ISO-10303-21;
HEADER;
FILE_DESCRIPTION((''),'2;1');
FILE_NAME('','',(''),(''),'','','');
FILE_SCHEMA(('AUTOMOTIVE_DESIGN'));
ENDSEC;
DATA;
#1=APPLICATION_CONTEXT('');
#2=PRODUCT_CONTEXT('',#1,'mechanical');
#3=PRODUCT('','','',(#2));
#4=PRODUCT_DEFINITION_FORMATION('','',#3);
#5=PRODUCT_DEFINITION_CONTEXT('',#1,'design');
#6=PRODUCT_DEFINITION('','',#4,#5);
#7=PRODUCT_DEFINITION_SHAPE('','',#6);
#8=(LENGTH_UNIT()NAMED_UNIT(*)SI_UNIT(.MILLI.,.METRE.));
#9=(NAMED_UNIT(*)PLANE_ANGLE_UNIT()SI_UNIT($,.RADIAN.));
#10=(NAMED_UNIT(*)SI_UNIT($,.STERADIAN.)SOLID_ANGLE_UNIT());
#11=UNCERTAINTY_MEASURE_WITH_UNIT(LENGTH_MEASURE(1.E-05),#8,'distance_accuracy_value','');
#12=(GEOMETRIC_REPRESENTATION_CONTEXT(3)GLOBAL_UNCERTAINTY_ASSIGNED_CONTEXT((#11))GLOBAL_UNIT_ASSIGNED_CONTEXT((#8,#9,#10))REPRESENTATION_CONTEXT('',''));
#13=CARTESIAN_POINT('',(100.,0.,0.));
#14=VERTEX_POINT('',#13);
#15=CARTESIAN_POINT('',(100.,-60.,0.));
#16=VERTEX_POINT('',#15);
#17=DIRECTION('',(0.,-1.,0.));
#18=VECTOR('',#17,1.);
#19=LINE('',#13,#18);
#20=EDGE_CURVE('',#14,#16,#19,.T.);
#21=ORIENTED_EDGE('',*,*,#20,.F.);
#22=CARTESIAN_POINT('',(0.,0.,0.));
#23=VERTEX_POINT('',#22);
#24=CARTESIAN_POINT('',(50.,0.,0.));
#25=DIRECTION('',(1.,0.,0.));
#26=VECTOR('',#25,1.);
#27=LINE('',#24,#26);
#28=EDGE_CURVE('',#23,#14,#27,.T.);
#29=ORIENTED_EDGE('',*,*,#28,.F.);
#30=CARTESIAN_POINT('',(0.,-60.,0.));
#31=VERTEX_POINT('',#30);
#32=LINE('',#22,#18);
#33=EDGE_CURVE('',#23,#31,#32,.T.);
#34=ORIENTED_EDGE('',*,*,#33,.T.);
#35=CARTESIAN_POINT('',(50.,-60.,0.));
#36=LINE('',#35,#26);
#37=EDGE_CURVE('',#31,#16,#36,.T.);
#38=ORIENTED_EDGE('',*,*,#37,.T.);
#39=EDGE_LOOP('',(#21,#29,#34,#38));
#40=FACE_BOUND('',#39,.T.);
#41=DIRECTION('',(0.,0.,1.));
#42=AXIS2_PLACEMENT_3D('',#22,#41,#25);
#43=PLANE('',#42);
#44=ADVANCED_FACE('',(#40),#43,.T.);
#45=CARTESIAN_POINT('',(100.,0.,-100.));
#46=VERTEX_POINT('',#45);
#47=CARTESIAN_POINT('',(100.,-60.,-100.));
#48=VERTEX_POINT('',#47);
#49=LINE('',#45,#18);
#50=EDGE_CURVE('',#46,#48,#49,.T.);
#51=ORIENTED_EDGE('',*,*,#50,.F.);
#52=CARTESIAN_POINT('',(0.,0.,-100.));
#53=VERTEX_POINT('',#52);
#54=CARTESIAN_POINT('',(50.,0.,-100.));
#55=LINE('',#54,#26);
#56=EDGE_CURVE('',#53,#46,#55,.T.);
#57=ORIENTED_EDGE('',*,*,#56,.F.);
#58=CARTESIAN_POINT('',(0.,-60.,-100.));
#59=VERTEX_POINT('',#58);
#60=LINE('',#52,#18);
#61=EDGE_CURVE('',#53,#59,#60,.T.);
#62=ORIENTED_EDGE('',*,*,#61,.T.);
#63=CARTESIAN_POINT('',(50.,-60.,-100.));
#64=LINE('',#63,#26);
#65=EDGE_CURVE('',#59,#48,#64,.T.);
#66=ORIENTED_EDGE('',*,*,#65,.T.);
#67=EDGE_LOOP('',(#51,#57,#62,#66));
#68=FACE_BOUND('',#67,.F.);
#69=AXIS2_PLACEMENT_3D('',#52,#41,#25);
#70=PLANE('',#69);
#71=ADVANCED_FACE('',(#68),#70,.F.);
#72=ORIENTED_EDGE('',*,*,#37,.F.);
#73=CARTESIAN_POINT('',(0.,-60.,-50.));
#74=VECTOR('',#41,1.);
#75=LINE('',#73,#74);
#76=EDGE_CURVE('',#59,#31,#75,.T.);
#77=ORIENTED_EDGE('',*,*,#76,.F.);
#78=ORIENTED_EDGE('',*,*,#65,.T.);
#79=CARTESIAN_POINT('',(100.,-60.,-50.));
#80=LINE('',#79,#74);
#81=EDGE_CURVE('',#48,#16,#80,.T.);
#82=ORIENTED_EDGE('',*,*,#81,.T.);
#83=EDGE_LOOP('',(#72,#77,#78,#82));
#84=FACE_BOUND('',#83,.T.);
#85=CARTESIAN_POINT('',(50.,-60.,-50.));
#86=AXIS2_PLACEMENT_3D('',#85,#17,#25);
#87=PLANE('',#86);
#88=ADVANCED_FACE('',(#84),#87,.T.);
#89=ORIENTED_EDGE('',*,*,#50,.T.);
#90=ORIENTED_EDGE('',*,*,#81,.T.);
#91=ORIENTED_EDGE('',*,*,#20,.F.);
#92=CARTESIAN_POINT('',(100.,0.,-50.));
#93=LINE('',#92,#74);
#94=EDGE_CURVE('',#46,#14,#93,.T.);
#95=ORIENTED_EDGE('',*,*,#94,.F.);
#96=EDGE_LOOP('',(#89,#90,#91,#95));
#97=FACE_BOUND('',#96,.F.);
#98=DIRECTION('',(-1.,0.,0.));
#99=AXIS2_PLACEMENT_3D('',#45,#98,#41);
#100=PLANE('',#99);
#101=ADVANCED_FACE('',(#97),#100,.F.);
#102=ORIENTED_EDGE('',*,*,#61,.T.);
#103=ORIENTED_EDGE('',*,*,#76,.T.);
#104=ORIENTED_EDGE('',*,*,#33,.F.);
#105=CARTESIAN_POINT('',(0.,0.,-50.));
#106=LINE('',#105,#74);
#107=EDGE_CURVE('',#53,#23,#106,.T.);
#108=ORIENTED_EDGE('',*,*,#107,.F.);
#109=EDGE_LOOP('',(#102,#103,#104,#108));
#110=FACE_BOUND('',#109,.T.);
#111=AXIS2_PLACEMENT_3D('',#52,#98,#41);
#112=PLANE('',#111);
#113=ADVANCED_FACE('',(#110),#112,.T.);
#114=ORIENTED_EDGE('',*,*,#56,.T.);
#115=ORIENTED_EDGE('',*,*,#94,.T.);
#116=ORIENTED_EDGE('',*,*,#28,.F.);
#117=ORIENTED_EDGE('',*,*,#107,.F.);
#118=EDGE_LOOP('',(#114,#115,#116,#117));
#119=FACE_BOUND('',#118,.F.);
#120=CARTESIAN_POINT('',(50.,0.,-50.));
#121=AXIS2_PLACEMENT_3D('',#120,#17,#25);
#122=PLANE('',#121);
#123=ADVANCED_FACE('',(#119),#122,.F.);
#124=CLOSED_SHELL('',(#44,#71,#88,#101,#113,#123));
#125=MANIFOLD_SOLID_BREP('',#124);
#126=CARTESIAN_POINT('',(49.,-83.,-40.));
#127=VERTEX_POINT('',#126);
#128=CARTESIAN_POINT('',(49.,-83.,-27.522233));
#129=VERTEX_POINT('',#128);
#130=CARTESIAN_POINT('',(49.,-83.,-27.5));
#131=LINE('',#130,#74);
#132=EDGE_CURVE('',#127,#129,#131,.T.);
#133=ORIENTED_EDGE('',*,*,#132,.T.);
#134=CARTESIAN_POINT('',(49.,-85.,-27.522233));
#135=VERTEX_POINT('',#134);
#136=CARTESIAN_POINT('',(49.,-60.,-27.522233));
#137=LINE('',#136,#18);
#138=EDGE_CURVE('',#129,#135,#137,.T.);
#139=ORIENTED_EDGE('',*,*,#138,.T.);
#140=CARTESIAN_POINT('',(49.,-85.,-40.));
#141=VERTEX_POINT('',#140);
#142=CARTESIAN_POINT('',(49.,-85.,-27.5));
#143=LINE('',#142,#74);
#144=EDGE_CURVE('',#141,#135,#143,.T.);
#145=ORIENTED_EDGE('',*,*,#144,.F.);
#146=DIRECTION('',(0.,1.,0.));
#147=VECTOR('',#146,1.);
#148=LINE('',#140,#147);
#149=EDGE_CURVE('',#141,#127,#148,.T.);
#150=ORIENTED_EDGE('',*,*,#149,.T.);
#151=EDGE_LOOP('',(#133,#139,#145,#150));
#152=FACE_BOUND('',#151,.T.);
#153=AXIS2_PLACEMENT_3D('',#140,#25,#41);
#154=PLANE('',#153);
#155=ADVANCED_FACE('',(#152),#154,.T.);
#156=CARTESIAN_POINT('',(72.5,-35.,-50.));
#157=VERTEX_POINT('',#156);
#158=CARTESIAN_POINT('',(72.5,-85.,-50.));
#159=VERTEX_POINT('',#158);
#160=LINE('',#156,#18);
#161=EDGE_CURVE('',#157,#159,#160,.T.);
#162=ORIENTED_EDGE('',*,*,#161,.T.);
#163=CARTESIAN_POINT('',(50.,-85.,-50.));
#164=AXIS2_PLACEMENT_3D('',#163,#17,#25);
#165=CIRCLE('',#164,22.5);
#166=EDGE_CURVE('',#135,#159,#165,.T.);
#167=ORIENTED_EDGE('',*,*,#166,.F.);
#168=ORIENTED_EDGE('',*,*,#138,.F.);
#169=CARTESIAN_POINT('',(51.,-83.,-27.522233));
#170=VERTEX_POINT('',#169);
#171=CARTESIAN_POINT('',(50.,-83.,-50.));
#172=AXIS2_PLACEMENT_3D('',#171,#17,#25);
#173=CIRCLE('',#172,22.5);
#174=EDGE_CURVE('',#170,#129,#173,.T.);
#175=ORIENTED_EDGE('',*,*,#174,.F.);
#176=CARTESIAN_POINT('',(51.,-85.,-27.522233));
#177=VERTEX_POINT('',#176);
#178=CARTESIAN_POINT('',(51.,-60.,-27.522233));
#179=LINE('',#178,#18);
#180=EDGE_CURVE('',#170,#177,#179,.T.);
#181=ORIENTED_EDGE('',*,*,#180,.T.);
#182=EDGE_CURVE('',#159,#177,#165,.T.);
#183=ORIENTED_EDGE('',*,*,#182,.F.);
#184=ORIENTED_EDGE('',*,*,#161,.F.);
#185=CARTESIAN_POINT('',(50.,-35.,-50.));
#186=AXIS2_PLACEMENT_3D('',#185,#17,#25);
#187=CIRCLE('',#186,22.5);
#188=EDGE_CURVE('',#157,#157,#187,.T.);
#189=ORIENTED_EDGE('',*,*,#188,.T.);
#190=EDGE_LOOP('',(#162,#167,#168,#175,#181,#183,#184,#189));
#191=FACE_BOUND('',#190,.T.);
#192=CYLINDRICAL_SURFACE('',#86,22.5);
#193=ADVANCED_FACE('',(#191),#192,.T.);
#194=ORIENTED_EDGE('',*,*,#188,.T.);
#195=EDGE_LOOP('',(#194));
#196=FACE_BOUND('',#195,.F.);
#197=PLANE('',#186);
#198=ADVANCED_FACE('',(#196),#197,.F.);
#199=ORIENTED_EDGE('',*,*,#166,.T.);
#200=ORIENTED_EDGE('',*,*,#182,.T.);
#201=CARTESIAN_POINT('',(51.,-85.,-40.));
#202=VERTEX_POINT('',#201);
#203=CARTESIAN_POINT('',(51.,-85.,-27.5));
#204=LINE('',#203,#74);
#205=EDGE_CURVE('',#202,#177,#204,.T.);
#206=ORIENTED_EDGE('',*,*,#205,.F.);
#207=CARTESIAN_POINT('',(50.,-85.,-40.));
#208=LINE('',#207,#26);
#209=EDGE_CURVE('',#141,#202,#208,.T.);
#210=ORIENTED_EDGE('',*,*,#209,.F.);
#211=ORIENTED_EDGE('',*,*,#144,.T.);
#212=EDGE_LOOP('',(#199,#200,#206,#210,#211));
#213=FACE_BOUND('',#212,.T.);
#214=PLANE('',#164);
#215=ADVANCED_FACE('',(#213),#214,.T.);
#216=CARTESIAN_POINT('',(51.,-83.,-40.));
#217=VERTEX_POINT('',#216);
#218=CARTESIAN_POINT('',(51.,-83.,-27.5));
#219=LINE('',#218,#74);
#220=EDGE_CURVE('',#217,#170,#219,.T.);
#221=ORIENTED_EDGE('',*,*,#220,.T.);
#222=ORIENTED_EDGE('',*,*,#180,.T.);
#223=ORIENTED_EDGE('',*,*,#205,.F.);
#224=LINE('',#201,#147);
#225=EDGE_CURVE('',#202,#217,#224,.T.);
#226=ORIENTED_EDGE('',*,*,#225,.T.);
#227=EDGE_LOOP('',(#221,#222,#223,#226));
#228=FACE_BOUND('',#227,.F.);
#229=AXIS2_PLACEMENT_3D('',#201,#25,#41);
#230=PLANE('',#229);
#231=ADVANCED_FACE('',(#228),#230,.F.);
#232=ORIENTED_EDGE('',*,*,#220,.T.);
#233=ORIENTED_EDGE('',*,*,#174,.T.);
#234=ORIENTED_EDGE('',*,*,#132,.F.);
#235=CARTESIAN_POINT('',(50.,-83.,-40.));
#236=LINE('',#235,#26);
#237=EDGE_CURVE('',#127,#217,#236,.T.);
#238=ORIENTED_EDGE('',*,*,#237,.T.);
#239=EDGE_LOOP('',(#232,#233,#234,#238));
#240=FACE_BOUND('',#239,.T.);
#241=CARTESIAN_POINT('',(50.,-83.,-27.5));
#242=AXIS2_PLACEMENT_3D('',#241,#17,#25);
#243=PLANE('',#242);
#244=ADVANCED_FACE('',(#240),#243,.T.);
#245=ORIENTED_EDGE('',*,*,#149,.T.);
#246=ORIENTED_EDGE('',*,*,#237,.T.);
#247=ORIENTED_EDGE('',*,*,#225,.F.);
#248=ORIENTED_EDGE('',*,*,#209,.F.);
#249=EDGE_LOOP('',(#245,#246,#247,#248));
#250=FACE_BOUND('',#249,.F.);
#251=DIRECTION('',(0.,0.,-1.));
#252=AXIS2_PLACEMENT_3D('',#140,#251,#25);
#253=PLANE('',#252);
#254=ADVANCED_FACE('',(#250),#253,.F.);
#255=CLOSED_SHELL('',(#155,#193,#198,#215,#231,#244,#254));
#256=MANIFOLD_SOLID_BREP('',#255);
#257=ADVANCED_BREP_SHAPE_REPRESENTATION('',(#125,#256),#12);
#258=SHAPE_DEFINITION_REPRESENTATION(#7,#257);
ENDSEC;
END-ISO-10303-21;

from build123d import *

# Parameters (mm, degrees)
F0_W          = 100
F0_H          = 100
F1_DEPTH      = 60
F2_R          = 22.5
F3_DEPTH      = 25
F3_DEPTH_BACK = 25
F4_W          = 2
F4_H          = 25
F5_DEPTH      = 2


with BuildPart() as f1:
    # F0 (on Front) → F1 (new body)
    with BuildSketch(Plane.XZ):
        with Locations((50, -50)):
            Rectangle(F0_W, F0_H)
    extrude(amount=F1_DEPTH)


with BuildPart() as f3:
    # F2 (on face) → F3 (new body, two sides)
    with BuildSketch(Plane.XZ.offset(60)) as f3_sk:
        with Locations((50, -50)):
            Circle(F2_R)
    extrude(amount=F3_DEPTH)
    extrude(f3_sk.sketch, amount=-F3_DEPTH_BACK)

    # F4 (on face) → F5 (cut)
    with BuildSketch(Plane.XZ.offset(85)):
        with Locations((50, -27.5)):
            Rectangle(F4_W, F4_H)
    extrude(amount=-F5_DEPTH, mode=Mode.SUBTRACT)


solid = Compound([f1.part, f3.part])
